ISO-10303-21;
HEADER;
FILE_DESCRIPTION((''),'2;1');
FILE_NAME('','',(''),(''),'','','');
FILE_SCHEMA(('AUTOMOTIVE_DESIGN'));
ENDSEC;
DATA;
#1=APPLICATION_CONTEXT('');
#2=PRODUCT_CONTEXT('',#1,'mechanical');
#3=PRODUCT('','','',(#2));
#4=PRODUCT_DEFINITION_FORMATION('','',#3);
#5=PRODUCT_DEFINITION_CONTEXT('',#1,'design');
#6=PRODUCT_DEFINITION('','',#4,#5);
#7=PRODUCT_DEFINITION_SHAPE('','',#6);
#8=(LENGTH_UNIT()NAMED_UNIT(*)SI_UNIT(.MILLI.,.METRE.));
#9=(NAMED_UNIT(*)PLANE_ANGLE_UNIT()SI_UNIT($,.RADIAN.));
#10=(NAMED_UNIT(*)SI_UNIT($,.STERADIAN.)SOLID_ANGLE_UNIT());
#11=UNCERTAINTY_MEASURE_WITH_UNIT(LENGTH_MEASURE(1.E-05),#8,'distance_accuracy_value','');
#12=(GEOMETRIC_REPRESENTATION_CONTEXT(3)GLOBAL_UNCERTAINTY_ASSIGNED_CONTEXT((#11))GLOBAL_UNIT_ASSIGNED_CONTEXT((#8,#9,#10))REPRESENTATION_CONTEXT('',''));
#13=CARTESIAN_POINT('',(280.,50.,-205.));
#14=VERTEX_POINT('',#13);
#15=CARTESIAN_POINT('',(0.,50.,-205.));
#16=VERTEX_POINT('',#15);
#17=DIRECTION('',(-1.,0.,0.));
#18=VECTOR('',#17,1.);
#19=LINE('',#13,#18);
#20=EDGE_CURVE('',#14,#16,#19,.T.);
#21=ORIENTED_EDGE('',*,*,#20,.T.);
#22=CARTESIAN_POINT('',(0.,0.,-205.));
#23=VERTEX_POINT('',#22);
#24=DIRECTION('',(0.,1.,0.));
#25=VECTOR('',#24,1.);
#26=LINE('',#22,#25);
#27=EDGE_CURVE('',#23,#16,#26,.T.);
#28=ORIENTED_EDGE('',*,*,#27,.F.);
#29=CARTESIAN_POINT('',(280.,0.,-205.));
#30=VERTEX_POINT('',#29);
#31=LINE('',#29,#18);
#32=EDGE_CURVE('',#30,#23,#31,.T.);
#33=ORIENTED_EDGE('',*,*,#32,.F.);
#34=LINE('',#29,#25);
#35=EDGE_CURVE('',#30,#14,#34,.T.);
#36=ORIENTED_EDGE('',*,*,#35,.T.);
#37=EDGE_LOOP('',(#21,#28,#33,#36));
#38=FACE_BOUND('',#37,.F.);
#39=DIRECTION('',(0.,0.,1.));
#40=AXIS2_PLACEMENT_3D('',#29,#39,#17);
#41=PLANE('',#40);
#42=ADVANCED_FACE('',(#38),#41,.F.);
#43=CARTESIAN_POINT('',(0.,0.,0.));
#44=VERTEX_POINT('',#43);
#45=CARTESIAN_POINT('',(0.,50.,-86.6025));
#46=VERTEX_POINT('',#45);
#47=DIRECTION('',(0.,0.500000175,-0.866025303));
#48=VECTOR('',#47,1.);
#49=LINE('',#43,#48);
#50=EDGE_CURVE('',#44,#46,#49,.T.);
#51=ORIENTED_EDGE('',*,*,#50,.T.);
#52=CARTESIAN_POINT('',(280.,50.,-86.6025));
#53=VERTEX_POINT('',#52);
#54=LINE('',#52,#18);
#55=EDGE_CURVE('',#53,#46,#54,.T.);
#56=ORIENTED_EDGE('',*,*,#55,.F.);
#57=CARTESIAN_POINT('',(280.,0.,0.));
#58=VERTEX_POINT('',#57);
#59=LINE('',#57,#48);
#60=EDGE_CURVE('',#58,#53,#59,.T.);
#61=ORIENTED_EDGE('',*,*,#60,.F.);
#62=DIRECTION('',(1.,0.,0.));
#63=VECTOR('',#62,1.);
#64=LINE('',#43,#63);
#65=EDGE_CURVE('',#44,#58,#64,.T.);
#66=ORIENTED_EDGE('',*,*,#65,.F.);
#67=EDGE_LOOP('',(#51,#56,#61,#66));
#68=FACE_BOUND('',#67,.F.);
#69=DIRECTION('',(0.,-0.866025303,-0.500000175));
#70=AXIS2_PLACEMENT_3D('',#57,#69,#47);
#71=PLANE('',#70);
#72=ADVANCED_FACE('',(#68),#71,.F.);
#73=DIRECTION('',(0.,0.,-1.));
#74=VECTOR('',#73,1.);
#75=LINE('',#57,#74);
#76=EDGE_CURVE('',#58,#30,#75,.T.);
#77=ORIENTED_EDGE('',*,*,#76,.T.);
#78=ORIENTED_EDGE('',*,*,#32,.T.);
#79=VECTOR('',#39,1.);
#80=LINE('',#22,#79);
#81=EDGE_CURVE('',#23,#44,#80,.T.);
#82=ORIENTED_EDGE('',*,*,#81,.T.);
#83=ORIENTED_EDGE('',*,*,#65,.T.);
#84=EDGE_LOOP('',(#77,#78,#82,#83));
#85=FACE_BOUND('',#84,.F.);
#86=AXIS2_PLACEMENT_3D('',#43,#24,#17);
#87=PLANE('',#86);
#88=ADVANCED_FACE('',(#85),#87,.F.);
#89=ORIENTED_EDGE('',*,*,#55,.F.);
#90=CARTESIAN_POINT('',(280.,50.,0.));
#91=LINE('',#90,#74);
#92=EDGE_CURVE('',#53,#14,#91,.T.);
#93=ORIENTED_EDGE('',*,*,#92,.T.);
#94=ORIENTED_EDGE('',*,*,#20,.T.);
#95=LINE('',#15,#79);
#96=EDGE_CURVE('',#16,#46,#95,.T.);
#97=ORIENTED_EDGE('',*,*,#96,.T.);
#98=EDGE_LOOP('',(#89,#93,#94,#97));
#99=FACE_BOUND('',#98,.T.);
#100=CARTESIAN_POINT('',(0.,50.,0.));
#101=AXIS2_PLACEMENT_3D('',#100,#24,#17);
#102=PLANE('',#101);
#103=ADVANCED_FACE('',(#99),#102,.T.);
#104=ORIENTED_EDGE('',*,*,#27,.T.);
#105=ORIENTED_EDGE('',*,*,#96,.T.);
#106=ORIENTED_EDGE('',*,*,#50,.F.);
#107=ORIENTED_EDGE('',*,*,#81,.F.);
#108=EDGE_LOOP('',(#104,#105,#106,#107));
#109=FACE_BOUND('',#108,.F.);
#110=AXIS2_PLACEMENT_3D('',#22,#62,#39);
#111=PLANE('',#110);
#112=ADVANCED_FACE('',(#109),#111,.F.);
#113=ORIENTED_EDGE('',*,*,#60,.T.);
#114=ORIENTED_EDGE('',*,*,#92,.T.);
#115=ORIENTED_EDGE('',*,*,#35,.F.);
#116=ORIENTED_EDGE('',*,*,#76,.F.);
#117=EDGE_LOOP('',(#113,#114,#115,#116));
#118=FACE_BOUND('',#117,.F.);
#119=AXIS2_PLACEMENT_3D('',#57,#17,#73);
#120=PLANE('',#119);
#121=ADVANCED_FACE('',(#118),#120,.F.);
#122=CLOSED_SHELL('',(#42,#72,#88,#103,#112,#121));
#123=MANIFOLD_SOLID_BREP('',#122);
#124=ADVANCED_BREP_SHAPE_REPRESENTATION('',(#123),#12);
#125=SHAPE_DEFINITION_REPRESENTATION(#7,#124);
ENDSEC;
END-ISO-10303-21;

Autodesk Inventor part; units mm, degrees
ref_plane "YZ Plane" through (0, 0, 0) normal (1, 0, 0) x (0, 1, 0)
ref_plane "XZ Plane" through (0, 0, 0) normal (0, 1, 0) x (-1, 0, 0)
ref_plane "XY Plane" through (0, 0, 0) normal (0, 0, 1) x (1, 0, 0)
sketch "Sketch1" plane through (0, 0, 0) normal (0, 1, 0) x (-1, 0, 0)
  line L0 (0, 0) -> (-280, 0)
  line L1 (-280, 0) -> (-280, -205)
  line L2 (-280, -205) -> (0, -205)
  line L3 (0, -205) -> (0, 0)
  dimension "d0" = 280
  dimension "d1" = 205
extrude "Extrusion1" add sketch "Sketch1" along normal blind 50
sketch "Sketch2" plane through (280, 0, 0) normal (1, 0, 0) x (0, 0, -1)
  line L0 (0, 0) -> (205, 0) projected
  line L1 (0, 0) -> (86.6025, 50)
  line L2 (0, 50) -> (205, 50) projected
  line L3 (0, 0) -> (0, 50) projected
  line L4 (86.6025, 50) -> (0, 50)
  line L5 (0, 50) -> (0, 0)
  dimension "d4" = 100
extrude "Extrusion2" cut sketch "Sketch2" against normal blind 280
properties part number "Base"
